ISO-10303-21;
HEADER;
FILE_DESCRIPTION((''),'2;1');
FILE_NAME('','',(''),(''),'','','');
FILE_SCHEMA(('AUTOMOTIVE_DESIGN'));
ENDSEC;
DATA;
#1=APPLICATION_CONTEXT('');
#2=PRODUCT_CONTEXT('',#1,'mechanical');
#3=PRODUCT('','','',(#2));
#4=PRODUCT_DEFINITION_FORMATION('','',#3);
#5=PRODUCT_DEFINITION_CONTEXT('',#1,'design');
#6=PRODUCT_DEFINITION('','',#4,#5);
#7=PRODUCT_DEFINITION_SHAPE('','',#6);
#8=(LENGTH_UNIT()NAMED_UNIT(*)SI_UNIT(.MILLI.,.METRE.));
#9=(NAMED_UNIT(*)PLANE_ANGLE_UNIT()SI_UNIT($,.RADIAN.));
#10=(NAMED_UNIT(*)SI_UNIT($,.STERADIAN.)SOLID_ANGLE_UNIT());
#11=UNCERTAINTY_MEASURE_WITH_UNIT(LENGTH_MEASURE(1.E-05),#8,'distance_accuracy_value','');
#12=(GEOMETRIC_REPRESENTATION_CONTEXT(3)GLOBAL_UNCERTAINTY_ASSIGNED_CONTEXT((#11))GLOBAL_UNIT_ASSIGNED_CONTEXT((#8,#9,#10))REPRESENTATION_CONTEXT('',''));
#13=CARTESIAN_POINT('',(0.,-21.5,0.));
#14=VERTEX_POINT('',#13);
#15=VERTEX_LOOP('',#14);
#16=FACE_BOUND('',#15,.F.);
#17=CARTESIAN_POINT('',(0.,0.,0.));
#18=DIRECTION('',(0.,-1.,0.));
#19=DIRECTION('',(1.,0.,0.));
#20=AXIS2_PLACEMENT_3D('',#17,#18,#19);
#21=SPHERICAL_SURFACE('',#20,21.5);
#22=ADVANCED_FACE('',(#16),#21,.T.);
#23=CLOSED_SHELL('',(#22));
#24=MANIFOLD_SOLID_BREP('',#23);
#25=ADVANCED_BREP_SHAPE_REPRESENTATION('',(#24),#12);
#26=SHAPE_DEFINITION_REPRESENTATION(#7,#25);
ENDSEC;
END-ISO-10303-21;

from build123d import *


with BuildPart() as part:
    # Sketch1 → Revolve1 (revolve)
    with BuildSketch(Plane.XY):
        with BuildLine():
            Line((0, -21.5), (0, 21.5))
            ThreePointArc((0, 21.5), (21.5, 0), (0, -21.5))
        make_face()
    revolve(axis=Axis((0, -21.5, 0), (0, 1, 0)))


solid = part.part
